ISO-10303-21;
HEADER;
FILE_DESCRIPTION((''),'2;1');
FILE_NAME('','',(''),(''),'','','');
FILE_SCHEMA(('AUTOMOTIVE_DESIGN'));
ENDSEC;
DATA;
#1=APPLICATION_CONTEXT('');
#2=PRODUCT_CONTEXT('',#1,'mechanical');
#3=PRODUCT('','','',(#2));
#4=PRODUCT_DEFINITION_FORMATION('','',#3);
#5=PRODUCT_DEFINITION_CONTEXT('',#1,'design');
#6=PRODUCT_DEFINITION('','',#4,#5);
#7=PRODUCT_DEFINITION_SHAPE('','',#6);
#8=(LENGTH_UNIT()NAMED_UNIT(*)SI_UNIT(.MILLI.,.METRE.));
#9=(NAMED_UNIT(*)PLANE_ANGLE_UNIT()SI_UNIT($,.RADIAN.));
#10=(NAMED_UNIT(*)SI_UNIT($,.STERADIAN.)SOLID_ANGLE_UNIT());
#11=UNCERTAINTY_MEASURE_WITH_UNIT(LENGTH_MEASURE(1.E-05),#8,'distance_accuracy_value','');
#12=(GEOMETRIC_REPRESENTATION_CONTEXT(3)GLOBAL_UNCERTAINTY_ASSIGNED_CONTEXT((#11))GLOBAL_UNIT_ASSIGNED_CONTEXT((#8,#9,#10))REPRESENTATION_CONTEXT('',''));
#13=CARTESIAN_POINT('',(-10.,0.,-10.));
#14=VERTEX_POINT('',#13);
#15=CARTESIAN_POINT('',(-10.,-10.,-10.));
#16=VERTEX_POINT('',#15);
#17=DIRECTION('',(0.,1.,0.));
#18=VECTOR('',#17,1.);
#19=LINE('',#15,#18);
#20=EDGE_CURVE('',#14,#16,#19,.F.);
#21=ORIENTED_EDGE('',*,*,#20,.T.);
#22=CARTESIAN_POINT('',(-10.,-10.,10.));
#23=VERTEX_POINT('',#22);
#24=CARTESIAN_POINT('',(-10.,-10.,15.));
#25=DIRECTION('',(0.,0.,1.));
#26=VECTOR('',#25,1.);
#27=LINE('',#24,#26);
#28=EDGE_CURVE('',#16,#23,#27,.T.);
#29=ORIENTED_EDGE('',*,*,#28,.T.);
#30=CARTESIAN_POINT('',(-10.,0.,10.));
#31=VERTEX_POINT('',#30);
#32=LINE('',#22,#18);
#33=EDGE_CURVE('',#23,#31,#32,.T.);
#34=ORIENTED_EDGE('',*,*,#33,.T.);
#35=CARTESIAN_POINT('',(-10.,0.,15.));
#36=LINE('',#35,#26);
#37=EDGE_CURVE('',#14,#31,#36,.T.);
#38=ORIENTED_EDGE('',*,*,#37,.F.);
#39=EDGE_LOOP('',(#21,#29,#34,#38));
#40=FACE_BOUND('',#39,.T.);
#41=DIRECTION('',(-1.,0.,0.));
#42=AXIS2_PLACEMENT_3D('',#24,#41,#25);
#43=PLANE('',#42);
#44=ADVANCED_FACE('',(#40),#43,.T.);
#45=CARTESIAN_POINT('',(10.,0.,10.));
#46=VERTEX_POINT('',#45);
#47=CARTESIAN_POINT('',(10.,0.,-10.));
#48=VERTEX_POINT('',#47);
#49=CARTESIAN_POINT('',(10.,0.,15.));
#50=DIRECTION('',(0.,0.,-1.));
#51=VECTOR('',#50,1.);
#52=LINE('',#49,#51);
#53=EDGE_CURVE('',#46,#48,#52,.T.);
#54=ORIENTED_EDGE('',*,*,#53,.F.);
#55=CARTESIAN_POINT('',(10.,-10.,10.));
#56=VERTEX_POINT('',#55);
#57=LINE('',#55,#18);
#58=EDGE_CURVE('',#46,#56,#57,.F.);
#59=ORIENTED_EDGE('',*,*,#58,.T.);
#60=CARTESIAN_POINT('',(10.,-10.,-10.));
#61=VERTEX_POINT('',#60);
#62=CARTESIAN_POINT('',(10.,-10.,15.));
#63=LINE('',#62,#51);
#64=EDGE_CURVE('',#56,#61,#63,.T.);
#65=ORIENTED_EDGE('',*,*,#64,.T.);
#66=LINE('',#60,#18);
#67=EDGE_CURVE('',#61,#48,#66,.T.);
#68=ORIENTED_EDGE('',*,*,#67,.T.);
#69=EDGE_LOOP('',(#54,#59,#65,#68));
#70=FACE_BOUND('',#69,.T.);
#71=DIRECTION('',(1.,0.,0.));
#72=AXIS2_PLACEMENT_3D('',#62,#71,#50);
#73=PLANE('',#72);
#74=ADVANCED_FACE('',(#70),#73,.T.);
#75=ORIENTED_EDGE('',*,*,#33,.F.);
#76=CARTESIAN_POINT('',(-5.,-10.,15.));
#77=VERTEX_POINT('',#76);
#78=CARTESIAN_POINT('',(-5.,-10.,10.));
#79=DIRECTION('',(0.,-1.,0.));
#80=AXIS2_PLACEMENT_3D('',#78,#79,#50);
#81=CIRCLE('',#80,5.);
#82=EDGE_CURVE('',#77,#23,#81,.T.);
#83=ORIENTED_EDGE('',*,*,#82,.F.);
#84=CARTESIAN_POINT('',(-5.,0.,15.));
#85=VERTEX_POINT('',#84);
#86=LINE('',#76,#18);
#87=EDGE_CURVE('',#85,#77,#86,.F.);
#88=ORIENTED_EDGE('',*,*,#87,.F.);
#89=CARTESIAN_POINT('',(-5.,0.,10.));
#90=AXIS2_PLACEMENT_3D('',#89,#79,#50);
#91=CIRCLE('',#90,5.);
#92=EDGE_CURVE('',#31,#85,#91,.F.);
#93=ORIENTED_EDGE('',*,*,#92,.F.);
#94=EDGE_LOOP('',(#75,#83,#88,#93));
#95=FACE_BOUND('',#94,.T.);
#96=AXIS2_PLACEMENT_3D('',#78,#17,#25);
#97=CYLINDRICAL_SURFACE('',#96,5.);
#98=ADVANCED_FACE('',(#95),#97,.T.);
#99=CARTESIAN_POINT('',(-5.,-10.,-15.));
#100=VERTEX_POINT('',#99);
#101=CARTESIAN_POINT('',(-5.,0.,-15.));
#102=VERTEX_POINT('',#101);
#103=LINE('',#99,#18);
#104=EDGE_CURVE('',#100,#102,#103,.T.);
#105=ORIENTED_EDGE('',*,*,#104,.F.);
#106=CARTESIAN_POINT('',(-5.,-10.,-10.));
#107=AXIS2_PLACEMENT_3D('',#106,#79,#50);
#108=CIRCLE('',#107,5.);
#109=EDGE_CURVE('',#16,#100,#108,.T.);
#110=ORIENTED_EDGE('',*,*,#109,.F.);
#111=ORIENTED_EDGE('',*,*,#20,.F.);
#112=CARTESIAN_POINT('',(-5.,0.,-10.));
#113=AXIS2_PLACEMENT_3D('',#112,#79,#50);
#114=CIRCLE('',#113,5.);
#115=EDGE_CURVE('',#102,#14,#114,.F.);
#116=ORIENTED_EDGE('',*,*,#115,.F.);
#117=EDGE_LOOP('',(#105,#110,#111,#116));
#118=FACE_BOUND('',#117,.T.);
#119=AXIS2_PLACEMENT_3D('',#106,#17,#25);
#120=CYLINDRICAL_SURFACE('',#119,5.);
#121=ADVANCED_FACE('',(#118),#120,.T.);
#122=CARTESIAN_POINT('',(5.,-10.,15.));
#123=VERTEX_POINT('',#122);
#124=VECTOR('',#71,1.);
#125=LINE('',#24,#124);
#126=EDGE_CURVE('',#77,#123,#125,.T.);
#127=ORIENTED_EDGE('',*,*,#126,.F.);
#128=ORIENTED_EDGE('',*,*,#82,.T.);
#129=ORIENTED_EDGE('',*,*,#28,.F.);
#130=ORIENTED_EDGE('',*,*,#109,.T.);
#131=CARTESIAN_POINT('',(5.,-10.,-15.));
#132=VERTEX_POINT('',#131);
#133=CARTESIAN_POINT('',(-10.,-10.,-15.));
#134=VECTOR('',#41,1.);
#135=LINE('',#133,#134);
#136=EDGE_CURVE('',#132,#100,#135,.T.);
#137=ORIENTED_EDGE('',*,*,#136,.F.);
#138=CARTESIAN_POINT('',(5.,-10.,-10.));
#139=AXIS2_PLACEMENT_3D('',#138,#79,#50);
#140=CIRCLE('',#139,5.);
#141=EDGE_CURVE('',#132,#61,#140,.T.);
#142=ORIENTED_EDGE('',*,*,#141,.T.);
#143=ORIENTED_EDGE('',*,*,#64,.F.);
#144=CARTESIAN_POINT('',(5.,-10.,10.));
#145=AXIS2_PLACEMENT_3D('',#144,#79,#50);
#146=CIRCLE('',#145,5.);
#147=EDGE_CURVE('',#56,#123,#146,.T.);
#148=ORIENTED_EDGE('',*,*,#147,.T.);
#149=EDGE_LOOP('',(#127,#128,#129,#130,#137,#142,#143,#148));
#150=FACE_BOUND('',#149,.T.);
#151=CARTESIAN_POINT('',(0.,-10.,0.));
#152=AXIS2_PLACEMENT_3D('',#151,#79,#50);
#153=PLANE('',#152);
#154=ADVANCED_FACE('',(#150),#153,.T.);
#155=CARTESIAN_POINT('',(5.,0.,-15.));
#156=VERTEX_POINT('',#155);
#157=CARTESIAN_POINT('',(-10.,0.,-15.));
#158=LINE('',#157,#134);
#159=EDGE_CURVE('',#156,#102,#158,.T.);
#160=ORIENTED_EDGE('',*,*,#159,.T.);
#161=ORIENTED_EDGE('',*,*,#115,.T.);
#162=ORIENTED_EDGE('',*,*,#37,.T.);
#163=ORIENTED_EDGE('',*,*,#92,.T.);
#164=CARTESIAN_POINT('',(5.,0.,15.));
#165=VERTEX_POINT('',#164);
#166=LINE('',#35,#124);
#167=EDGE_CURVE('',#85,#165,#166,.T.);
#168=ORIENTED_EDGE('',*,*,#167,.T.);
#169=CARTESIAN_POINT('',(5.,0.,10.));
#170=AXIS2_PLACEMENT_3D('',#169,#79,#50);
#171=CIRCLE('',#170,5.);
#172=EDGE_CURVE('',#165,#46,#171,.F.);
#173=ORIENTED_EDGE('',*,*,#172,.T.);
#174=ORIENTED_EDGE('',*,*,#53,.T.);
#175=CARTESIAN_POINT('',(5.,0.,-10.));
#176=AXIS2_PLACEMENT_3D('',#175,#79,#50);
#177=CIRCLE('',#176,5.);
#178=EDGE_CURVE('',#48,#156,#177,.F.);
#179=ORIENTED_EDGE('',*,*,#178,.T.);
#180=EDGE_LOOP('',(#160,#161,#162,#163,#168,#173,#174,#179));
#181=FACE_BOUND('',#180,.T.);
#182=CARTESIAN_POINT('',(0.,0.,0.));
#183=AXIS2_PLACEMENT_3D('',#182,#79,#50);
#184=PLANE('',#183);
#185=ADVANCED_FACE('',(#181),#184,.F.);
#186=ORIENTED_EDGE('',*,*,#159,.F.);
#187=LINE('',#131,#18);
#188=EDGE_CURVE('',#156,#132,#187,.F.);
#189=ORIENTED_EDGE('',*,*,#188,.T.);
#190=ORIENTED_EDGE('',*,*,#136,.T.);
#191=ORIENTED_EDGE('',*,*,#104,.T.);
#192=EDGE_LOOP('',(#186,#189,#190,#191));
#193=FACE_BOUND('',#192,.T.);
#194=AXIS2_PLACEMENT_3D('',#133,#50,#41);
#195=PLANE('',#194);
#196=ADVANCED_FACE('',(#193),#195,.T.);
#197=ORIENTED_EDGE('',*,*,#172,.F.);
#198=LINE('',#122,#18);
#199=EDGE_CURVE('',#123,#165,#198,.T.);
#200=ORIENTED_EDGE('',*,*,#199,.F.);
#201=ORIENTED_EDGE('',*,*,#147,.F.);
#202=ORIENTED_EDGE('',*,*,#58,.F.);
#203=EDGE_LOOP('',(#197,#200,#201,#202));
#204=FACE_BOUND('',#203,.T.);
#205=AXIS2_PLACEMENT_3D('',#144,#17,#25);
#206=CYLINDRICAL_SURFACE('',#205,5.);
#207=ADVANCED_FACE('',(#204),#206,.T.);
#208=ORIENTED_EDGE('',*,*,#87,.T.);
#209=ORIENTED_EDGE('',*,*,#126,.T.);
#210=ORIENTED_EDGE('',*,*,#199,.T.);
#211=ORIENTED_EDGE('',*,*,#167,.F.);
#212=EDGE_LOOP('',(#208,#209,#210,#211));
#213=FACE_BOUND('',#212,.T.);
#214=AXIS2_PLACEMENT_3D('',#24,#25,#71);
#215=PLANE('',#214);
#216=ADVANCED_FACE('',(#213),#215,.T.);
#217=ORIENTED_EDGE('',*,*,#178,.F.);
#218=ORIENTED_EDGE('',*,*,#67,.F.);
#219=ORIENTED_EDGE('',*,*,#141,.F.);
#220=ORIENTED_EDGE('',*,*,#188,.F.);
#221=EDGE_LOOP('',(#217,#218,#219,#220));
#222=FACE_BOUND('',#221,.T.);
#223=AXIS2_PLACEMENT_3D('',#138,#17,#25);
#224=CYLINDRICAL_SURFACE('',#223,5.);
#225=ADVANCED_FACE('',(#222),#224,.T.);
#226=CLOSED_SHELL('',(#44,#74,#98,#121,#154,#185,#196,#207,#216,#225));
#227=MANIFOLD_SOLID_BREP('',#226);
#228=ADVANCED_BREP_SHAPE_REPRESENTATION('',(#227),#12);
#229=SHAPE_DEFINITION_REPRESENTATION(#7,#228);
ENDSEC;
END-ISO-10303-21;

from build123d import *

# Parameters (mm, degrees)
SKETCH2_W           = 20
SKETCH2_H           = 30
BOSS_EXTRUDE1_DEPTH = 10
FILLET1_R           = 5


with BuildPart() as part:
    # Sketch2 → Boss-Extrude1 (new body)
    with BuildSketch(Plane(origin=(0, 0, 0), x_dir=(1, 0, 0), z_dir=(0, 1, 0))):
        Rectangle(SKETCH2_W, SKETCH2_H)
    extrude(amount=-BOSS_EXTRUDE1_DEPTH)

    # Fillet1
    fillet1_edges = [part.edges().sort_by_distance(p)[0] for p in [
        (10, -5, 15),
        (-10, -5, 15),
        (-10, -5, -15),
        (10, -5, -15),
    ]]
    fillet(fillet1_edges, radius=FILLET1_R)


solid = part.part
